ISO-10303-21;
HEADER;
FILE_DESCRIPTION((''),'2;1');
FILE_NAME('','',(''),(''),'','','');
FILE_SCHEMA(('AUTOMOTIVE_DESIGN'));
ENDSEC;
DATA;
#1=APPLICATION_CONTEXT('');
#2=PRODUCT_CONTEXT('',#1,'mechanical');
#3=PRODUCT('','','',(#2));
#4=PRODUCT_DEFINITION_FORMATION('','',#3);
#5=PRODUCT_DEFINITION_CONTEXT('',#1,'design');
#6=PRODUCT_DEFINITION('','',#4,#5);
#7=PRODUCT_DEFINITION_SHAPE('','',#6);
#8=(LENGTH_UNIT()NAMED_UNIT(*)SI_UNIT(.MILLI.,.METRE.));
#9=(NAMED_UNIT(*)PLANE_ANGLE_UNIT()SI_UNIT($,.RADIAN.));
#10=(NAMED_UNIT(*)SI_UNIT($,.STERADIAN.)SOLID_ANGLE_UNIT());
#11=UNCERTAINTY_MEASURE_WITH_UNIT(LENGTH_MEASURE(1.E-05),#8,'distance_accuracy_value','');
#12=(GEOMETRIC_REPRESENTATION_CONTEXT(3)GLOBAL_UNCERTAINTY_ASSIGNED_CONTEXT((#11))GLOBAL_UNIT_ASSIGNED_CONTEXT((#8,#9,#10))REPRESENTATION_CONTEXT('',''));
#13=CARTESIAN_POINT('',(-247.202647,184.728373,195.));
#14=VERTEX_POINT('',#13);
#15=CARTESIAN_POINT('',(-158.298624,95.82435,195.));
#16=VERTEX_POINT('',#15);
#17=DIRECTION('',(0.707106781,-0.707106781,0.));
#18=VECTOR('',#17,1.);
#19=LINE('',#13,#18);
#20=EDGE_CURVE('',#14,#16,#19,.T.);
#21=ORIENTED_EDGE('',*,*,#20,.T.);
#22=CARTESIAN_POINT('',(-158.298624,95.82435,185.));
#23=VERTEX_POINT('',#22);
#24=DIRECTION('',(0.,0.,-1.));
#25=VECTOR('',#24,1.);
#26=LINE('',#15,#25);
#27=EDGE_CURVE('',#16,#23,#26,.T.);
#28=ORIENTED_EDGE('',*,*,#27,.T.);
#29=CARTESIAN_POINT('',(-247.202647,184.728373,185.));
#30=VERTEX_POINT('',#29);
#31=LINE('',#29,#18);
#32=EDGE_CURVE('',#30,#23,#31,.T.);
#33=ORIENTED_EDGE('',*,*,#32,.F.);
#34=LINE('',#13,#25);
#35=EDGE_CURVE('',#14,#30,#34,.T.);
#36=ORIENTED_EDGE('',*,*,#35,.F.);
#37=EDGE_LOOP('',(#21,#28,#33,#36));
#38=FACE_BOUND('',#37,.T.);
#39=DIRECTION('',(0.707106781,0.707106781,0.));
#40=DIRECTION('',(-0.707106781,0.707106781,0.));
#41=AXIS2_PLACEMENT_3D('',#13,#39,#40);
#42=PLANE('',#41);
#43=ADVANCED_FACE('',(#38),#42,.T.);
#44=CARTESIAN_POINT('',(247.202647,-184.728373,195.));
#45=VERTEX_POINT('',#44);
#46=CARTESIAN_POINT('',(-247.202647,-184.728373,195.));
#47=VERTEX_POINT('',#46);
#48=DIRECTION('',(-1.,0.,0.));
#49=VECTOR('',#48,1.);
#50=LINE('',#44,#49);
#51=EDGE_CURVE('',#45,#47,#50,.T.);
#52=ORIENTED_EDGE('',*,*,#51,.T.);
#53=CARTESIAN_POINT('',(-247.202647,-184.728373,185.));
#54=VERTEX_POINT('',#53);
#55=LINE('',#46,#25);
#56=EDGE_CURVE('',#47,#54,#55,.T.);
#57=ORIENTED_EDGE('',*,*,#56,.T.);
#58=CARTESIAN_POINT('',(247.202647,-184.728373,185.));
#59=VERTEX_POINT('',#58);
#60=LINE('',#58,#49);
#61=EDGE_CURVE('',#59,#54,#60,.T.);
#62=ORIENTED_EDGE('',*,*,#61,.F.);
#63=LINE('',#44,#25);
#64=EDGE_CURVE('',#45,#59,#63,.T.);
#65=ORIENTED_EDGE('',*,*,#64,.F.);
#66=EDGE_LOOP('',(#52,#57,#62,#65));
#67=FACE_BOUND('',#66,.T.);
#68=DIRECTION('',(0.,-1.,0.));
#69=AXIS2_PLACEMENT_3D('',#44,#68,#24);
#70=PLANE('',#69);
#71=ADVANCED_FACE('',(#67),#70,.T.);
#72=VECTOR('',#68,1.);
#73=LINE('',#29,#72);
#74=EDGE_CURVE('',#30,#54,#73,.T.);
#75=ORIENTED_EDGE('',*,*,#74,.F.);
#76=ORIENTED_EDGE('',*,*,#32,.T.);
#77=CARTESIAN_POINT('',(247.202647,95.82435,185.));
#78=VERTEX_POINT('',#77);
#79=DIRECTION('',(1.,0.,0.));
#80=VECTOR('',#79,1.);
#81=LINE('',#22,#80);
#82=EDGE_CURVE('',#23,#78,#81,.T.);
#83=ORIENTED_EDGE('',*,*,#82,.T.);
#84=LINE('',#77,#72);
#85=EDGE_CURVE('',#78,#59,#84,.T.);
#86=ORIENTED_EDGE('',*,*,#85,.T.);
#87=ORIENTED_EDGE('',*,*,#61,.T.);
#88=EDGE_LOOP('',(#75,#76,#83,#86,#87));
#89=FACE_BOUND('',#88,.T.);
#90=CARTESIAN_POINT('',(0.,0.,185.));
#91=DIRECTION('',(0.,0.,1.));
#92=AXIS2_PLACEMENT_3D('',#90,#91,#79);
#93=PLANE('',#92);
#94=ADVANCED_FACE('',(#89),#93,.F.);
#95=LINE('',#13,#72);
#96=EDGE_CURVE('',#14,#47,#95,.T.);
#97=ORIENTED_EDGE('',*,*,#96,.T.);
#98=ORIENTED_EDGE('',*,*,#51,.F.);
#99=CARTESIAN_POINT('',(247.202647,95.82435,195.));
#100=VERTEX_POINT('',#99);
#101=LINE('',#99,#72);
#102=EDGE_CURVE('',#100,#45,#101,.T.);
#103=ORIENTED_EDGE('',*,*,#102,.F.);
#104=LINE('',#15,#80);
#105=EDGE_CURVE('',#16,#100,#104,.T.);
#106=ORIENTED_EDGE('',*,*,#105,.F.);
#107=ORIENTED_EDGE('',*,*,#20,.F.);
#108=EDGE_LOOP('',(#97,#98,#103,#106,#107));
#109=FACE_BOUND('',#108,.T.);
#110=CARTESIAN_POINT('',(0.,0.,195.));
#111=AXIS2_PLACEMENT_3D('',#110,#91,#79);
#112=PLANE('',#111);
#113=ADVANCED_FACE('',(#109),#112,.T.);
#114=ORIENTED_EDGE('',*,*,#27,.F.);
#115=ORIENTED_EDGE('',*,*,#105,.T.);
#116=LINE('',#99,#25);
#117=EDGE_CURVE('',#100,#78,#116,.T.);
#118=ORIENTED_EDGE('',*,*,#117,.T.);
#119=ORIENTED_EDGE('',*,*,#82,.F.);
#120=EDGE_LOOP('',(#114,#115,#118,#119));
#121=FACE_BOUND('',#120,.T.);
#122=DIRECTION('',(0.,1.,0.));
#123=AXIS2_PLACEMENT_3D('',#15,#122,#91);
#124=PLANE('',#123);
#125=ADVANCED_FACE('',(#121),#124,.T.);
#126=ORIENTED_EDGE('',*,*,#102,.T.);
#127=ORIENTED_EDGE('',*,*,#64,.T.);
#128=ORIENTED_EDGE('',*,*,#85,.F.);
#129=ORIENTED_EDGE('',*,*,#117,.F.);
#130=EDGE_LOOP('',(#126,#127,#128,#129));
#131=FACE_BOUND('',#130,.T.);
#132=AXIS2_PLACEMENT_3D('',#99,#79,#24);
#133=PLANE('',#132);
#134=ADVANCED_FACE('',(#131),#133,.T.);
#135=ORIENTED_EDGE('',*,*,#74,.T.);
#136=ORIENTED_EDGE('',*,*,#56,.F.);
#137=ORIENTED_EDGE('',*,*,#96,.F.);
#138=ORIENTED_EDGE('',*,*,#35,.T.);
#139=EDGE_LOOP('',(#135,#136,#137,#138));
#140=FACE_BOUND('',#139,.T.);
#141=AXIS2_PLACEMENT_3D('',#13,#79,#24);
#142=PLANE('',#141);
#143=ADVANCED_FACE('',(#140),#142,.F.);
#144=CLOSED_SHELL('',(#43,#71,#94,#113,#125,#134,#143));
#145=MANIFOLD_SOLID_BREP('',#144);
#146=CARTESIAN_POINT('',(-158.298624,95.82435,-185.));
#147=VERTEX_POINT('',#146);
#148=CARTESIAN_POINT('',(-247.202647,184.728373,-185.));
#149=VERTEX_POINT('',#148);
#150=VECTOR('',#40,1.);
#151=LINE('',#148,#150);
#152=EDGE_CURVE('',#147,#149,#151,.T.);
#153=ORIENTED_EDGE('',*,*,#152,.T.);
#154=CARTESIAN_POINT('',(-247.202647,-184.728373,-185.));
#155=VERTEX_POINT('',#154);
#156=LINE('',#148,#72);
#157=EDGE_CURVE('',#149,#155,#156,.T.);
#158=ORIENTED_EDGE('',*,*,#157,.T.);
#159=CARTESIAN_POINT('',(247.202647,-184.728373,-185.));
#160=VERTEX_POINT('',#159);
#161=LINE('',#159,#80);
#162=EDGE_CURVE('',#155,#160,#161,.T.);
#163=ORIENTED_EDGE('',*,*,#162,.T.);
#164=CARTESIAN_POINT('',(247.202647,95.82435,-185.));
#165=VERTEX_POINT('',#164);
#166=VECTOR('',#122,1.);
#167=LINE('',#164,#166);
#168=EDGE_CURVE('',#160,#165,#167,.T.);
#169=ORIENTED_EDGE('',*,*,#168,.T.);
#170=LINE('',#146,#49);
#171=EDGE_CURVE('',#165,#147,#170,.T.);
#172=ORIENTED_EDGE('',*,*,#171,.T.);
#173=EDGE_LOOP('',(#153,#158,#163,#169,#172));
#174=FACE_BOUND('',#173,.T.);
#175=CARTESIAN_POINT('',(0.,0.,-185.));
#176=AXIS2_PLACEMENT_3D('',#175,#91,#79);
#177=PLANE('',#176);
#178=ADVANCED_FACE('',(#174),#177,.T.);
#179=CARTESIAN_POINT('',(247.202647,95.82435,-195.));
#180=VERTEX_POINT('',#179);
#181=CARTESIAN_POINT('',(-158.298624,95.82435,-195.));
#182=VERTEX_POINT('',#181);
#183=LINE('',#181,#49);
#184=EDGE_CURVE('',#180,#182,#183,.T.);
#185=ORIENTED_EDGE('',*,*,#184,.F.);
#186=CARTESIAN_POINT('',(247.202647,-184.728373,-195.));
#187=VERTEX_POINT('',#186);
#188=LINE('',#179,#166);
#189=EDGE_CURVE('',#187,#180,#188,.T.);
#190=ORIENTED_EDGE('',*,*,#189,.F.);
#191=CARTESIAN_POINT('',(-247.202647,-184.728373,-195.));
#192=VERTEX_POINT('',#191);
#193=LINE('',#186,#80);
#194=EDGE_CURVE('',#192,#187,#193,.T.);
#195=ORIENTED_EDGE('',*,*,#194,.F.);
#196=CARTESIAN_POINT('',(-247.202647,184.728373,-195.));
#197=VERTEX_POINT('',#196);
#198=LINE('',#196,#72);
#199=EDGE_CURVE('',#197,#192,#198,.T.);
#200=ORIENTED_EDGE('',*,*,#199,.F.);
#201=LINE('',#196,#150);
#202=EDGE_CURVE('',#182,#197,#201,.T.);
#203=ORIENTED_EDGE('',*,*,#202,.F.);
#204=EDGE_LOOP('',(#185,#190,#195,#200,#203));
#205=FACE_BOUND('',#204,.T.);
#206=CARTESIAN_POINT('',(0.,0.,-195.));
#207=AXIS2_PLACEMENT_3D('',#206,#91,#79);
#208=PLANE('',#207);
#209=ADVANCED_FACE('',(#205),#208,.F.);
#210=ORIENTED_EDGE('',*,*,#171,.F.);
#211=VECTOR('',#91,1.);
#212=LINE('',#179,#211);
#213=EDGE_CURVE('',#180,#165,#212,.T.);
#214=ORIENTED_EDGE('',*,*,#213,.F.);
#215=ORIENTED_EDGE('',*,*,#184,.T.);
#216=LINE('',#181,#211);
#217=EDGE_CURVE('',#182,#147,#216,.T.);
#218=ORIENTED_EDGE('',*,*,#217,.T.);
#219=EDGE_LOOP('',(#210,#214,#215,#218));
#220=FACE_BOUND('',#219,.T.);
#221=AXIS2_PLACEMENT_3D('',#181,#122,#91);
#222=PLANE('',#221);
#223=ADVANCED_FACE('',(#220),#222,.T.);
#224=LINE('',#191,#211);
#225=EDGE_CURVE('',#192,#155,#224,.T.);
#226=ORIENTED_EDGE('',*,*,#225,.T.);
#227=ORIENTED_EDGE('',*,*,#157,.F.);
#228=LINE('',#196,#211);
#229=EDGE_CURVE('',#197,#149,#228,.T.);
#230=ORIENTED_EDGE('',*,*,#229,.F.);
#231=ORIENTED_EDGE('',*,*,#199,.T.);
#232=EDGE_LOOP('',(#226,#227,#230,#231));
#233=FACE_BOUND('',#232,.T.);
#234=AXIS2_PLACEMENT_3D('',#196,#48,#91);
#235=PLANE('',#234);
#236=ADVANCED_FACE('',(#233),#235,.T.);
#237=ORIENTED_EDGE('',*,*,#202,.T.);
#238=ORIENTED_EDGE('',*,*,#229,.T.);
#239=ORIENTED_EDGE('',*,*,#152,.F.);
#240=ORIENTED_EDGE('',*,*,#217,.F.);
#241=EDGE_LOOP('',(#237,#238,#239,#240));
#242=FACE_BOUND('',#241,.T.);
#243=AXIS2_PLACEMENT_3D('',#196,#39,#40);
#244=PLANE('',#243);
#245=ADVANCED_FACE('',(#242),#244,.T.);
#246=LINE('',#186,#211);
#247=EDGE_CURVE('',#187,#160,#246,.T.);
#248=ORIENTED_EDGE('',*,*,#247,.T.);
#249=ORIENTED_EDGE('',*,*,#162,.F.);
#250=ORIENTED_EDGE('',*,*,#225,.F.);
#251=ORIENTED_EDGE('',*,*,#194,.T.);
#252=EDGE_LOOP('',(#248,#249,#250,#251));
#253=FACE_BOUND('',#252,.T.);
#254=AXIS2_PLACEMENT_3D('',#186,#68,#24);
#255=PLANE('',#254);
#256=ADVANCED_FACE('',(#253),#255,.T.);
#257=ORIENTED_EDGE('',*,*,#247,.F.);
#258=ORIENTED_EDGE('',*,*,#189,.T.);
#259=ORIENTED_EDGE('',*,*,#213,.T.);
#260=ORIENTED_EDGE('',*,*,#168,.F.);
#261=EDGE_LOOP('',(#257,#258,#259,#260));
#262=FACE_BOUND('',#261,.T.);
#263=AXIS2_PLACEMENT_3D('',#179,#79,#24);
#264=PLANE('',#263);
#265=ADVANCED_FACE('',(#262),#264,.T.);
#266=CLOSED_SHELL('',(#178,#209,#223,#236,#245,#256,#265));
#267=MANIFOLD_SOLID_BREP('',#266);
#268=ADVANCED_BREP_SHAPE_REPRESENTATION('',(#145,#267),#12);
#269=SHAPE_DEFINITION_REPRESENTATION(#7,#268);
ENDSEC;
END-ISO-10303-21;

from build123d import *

# Parameters (mm, degrees)
BOSS_EXTRUDE1_START = 185
BOSS_EXTRUDE1_DEPTH = 10
BOSS_EXTRUDE2_START = -185
BOSS_EXTRUDE2_DEPTH = 10


with BuildPart() as part:
    # Sketch1 → Boss-Extrude1 (new body)
    with BuildSketch(Plane.XY.offset(BOSS_EXTRUDE1_START)):
        Polygon((-247.202646763, 184.728372851), (-247.202646763, -184.728372851), (247.202646763, -184.728372851), (247.202646763, 95.824349837), (-158.298623749, 95.824349837), align=None)
    extrude(amount=BOSS_EXTRUDE1_DEPTH)


with BuildPart() as body_2:
    # Sketch1<3> → Boss-Extrude2 (new body)
    with BuildSketch(Plane.XY.offset(BOSS_EXTRUDE2_START)):
        Polygon((-247.202646763, 184.728372851), (-247.202646763, -184.728372851), (247.202646763, -184.728372851), (247.202646763, 95.824349837), (-158.298623749, 95.824349837), align=None)
    extrude(amount=-BOSS_EXTRUDE2_DEPTH)


solid = Compound([part.part, body_2.part])
